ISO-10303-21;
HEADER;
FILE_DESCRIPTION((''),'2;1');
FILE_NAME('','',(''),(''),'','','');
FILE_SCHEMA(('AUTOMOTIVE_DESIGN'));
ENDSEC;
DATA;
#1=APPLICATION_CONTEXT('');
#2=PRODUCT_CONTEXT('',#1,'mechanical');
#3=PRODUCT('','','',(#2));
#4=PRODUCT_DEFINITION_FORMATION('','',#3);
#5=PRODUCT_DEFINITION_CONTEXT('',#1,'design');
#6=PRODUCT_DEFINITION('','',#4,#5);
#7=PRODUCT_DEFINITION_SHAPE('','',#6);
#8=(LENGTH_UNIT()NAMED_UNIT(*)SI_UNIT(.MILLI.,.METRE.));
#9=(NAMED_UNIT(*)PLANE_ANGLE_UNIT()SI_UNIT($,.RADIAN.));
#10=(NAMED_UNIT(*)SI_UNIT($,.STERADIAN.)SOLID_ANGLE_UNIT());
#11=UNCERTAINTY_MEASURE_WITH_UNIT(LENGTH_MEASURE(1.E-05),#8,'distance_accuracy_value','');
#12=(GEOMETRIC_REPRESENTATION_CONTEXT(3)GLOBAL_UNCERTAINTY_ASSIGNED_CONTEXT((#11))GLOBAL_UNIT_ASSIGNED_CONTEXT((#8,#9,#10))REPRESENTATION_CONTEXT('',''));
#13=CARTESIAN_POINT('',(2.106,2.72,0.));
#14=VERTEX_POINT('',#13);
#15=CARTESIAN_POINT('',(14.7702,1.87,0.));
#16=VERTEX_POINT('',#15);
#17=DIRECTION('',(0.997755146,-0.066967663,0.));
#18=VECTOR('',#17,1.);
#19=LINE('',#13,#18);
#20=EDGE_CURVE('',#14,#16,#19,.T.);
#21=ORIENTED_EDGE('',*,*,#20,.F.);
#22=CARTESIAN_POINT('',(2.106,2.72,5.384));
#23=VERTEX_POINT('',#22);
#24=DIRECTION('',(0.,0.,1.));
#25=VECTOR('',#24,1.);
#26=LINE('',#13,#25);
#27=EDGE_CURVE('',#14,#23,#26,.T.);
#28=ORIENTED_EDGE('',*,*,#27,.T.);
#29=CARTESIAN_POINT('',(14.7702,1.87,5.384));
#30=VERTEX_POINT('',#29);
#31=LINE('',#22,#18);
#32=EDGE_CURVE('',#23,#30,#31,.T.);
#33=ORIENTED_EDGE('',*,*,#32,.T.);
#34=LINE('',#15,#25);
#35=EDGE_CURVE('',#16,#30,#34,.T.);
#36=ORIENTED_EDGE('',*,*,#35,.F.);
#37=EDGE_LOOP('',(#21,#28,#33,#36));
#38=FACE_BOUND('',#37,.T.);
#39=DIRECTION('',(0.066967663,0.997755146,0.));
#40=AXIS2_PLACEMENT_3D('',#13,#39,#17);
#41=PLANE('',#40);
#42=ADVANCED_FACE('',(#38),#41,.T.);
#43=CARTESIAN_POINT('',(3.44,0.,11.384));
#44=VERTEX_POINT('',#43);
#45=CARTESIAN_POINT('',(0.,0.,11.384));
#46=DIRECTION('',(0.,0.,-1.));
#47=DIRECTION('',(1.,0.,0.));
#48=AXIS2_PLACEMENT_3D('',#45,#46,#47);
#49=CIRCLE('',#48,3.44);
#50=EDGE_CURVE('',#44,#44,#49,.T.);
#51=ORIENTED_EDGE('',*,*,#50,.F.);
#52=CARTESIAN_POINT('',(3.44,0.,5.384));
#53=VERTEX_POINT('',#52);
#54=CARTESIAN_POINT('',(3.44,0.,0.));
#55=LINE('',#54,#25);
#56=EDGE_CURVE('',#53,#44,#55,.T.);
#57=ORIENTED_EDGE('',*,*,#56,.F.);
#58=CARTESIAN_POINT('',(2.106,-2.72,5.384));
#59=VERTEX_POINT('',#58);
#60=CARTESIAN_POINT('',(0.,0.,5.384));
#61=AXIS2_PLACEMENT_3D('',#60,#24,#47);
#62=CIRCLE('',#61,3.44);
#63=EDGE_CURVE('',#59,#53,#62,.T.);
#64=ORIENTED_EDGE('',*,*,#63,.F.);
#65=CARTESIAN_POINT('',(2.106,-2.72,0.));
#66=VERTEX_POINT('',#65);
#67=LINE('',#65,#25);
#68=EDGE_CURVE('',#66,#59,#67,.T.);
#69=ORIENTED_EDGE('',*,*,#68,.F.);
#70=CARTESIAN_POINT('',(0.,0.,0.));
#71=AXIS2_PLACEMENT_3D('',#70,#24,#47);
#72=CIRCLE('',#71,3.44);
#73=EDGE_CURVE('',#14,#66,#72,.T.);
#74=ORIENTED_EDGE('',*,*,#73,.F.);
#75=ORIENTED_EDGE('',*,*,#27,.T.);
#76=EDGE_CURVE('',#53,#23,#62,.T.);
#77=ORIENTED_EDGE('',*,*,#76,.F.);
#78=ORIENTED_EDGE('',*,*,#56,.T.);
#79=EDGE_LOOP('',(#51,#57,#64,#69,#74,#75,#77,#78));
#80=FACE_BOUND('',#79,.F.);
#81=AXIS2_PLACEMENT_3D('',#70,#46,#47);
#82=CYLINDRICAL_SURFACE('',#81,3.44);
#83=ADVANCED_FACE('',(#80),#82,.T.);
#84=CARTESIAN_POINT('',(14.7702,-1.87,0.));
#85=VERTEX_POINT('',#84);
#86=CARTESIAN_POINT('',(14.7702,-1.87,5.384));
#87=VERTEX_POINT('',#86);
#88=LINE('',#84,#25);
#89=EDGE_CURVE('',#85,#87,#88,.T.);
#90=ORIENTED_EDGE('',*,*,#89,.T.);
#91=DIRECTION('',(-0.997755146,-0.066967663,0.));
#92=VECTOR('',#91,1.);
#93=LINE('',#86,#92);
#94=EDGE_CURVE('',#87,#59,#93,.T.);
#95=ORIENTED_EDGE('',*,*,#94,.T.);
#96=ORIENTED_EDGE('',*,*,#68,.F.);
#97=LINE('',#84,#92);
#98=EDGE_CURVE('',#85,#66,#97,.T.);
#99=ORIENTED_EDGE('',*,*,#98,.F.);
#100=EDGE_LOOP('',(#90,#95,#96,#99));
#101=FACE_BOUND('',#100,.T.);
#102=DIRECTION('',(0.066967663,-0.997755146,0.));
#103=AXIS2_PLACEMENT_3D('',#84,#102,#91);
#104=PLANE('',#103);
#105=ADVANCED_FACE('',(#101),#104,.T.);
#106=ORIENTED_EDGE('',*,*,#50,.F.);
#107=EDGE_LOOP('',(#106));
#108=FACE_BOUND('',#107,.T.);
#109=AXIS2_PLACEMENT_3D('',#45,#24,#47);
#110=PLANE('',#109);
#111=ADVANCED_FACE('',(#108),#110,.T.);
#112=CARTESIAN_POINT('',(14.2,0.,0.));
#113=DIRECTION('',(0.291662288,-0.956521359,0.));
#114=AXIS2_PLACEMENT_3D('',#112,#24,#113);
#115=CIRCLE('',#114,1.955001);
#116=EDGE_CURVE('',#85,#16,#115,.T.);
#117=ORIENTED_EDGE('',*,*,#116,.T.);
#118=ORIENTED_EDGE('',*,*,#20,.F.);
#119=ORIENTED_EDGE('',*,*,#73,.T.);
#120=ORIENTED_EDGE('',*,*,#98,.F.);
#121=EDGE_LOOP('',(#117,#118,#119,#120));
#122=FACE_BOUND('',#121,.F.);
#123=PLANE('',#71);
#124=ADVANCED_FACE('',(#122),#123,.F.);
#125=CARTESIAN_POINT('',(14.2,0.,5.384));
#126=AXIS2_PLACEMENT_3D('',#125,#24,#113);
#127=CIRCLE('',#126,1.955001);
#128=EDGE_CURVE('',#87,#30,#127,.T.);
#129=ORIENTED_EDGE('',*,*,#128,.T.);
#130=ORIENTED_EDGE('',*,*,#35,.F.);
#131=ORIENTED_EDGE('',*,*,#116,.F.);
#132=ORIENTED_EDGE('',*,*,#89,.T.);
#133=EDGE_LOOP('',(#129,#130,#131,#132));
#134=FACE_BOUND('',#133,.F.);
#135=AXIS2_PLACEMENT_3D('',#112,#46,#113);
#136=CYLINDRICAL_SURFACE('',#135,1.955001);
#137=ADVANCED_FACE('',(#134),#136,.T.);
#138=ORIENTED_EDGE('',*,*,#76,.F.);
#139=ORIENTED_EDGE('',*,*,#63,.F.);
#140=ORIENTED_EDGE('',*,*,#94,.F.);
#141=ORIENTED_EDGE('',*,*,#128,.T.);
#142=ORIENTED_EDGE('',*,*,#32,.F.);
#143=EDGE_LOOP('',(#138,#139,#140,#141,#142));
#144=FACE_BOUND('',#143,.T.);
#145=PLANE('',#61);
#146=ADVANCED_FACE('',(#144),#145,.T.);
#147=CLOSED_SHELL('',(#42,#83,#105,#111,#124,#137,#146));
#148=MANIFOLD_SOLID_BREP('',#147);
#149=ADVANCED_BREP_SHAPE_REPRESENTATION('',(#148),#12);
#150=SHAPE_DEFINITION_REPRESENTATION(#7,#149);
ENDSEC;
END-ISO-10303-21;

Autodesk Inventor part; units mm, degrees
ref_plane "YZ Plane" through (0, 0, 0) normal (1, 0, 0) x (0, 1, 0)
ref_plane "XZ Plane" through (0, 0, 0) normal (0, 1, 0) x (-1, 0, 0)
ref_plane "XY Plane" through (0, 0, 0) normal (0, 0, 1) x (1, 0, 0)
sketch "Sketch1" plane through (0, 0, 0) normal (0, 0, 1) x (1, 0, 0)
  circle A0 centre (0, 0) radius 3.44
  line L0 (2.106, 2.72) -> (2.106, -2.72) construction
  line L1 (14.7702, 1.87) -> (14.7702, -1.87) construction
  line L2 (2.106, 2.72) -> (14.7702, 1.87)
  line L3 (14.7702, -1.87) -> (2.106, -2.72)
  arc A1 (14.7702, -1.87) -> (14.7702, 1.87) centre (14.2, 0) ccw
  dimension "d0" = 6.88
  dimension "d2" = 14.2
  dimension "d3" = 5.44
  dimension "d4" = 3.74
extrude "Extrusion1" add sketch "Sketch1" along normal blind 5.384 contours A0 L2 A1 L3
extrude "Extrusion2" add sketch "Sketch1" along normal blind 11.384 contours A0
properties part number "Robot_ARM_Pivot"
